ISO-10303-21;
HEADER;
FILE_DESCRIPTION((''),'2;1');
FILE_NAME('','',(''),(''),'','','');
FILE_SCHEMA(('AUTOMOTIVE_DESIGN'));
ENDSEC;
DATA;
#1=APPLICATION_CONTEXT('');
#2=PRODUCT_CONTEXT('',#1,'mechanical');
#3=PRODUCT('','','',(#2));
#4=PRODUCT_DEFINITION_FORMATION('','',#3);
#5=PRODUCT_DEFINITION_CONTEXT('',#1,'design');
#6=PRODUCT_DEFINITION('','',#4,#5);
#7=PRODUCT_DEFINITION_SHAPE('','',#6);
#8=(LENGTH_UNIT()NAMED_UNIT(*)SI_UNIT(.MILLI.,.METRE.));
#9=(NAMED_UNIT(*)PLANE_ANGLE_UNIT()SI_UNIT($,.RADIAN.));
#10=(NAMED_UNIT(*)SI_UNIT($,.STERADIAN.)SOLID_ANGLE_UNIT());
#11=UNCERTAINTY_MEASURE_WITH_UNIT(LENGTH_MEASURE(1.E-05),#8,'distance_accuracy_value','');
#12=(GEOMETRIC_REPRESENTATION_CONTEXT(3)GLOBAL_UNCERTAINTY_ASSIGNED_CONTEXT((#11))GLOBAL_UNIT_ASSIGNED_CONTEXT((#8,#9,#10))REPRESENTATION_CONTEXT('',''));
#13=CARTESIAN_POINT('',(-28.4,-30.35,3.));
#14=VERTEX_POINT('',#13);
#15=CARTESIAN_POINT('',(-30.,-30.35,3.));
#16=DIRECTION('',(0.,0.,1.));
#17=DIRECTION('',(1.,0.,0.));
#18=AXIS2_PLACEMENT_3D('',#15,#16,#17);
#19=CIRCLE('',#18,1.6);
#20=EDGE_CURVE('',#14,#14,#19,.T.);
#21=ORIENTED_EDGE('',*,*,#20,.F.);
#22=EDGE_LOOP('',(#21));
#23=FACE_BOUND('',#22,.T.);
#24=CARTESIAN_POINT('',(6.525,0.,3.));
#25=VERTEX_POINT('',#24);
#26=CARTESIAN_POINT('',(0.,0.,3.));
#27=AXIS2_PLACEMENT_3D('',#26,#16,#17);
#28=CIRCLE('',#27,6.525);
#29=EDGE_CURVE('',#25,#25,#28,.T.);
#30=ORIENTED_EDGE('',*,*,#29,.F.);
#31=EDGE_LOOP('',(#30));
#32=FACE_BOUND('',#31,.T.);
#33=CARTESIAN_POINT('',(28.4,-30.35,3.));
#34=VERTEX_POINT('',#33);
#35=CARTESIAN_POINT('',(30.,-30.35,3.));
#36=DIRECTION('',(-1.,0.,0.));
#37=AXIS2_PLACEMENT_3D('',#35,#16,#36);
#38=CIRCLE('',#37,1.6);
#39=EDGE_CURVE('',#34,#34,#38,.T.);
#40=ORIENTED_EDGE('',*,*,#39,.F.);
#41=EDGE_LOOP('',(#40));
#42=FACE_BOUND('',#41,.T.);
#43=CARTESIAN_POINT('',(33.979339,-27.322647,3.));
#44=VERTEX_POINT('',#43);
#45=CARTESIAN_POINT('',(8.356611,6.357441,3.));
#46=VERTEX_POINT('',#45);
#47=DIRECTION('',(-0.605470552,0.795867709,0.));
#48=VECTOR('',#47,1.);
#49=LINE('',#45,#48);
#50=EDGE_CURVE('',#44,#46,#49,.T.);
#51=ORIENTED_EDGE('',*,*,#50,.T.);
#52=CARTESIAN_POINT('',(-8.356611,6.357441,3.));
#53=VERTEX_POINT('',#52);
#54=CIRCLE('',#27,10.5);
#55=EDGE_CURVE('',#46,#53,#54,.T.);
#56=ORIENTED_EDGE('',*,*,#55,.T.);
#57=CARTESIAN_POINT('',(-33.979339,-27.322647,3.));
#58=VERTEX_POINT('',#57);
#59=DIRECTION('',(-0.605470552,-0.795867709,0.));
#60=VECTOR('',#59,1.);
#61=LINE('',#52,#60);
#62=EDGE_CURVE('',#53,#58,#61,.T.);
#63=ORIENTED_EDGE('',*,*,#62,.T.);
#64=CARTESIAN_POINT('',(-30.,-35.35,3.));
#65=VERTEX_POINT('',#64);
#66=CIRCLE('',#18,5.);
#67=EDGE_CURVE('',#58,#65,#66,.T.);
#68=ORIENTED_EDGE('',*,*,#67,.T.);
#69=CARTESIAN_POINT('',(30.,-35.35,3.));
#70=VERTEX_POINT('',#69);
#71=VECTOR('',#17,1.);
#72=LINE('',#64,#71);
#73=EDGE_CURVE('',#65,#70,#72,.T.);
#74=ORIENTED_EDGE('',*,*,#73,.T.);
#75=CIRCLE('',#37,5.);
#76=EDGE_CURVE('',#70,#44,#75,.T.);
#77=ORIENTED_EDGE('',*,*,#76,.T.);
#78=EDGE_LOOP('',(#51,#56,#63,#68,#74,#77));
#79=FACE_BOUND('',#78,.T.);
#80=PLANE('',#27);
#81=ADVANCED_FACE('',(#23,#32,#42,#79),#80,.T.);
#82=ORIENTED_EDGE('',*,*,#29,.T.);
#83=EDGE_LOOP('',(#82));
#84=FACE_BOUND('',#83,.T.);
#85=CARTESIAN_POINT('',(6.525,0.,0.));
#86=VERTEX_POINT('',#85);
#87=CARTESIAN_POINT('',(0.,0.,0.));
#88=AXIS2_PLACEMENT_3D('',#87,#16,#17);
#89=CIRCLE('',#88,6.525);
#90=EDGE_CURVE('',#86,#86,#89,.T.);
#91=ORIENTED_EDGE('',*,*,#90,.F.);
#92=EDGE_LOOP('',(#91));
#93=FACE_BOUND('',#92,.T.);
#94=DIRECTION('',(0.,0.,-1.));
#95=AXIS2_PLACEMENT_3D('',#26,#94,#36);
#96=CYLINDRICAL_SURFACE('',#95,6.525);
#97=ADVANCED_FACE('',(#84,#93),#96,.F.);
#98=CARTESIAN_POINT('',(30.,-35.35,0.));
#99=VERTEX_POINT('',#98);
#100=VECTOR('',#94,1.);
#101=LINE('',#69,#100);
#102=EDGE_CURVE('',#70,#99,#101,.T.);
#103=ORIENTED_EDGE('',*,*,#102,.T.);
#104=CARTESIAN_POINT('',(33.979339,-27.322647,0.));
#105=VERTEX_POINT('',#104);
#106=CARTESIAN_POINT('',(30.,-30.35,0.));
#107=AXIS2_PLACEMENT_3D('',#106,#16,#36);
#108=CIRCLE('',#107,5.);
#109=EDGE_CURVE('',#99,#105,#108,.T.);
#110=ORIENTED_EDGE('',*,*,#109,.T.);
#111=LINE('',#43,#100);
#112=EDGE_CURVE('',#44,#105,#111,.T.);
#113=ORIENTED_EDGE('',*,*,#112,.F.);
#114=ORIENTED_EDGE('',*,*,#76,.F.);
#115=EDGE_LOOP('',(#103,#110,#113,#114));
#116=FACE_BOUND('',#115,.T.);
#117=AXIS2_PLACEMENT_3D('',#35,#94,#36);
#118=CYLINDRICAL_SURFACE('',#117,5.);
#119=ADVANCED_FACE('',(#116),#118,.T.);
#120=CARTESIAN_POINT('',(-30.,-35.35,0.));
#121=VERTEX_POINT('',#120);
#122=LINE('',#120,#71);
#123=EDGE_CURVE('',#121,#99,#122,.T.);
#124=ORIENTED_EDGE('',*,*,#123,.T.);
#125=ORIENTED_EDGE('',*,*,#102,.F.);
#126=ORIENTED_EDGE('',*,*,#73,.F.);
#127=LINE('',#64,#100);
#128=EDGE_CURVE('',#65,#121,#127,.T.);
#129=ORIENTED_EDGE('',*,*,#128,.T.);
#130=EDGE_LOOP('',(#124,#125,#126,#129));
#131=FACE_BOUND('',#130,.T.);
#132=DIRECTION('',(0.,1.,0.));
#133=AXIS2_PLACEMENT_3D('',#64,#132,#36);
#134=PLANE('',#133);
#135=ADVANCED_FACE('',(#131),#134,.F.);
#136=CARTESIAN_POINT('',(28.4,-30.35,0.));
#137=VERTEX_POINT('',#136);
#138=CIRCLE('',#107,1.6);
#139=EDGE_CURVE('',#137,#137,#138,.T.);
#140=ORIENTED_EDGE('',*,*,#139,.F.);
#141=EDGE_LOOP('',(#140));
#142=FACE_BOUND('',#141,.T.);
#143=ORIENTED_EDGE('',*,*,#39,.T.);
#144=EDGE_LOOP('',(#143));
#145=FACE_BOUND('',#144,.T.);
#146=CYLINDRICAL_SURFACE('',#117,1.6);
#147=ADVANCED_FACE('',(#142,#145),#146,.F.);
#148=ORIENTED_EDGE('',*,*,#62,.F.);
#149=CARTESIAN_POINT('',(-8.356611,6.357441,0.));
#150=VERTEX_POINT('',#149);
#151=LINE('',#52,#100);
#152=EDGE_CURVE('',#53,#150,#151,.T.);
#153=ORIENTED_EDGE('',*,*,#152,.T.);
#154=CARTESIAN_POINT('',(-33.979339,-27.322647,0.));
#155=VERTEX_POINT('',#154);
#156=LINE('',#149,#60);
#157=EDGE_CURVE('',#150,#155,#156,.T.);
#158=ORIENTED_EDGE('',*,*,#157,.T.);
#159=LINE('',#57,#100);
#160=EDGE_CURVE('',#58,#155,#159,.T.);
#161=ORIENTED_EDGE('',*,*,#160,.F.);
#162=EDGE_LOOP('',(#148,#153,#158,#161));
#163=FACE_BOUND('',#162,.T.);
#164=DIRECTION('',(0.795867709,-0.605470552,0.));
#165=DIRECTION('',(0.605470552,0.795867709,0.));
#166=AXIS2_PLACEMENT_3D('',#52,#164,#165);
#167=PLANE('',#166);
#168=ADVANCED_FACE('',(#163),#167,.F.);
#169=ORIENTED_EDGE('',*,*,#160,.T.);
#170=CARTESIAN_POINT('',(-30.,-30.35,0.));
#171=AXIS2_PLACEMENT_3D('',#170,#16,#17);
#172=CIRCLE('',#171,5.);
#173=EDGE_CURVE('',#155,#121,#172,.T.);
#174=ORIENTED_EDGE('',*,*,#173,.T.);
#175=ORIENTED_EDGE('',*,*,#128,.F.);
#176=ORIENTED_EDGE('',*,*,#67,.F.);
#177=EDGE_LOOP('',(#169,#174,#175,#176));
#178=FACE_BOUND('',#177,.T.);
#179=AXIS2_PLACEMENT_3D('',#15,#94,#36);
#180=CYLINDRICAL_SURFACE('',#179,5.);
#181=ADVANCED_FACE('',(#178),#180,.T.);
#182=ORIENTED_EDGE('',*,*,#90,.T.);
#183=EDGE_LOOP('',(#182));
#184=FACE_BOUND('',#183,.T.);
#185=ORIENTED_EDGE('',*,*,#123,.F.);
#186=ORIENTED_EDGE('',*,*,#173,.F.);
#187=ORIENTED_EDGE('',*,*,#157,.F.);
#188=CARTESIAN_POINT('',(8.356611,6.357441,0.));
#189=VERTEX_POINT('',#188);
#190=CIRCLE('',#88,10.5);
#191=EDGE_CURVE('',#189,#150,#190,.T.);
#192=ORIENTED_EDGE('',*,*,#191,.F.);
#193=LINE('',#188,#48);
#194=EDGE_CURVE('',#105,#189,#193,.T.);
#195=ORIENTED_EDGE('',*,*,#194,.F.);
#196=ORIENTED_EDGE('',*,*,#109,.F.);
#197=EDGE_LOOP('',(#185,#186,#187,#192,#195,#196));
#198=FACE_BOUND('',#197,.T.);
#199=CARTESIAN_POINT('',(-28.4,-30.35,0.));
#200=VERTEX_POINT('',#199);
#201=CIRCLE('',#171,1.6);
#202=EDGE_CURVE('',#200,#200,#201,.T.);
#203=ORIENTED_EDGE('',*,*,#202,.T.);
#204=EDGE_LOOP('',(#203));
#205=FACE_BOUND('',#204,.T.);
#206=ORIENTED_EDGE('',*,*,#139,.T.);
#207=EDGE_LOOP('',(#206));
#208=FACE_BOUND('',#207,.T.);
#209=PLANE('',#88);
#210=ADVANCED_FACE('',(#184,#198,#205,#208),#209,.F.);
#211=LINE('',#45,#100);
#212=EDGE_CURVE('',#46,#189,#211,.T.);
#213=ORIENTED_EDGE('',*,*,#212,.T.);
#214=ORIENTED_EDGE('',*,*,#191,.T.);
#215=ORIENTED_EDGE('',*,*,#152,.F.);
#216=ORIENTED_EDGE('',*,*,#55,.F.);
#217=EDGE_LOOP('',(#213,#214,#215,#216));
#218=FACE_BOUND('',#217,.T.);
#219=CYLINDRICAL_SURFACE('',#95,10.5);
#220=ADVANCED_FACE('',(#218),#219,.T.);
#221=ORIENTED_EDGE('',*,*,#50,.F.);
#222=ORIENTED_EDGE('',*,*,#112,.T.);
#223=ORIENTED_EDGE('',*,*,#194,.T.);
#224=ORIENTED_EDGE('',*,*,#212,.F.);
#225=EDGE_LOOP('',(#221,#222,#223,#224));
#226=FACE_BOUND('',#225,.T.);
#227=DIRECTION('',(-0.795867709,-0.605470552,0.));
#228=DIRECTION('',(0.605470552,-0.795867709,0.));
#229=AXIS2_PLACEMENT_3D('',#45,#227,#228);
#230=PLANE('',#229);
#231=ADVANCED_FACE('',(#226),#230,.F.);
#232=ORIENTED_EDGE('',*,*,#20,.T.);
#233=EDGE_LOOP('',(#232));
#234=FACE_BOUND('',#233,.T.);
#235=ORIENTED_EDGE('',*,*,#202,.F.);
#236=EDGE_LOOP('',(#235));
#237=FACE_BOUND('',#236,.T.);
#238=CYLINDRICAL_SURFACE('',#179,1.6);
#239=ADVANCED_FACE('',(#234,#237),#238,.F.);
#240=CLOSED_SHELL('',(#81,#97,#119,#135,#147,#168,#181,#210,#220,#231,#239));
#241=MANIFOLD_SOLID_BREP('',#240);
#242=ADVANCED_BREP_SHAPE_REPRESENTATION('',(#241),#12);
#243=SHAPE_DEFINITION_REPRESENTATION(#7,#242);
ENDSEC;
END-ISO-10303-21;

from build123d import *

# Parameters (mm, degrees)
SKETCH_1_R      = 6.525
SKETCH_1_R_2    = 1.6
EXTRUDE_1_DEPTH = 3


with BuildPart() as part:
    # ｽｹｯﾁ1 → ﾎﾞｽ - 押し出し1 (new body)
    with BuildSketch(Plane.XY):
        with BuildLine():
            Line((-8.356610944, 6.357440801), (-33.979338545, -27.322647238))
            ThreePointArc((-33.979338545, -27.322647238), (-34.479774761, -32.570724678), (-30, -35.35))
            Line((-30, -35.35), (30, -35.35))
            ThreePointArc((30, -35.35), (34.479774761, -32.570724678), (33.979338545, -27.322647238))
            Line((33.979338545, -27.322647238), (8.356610944, 6.357440801))
            ThreePointArc((8.356610944, 6.357440801), (0, 10.5), (-8.356610944, 6.357440801))
        make_face()
        Circle(SKETCH_1_R, mode=Mode.SUBTRACT)
        with Locations((-30, -30.35)):
            Circle(SKETCH_1_R_2, mode=Mode.SUBTRACT)
        with Locations(Location((30, -30.35, 0), (0, 0, 180))):
            Circle(SKETCH_1_R_2, mode=Mode.SUBTRACT)
    extrude(amount=EXTRUDE_1_DEPTH)


solid = part.part
